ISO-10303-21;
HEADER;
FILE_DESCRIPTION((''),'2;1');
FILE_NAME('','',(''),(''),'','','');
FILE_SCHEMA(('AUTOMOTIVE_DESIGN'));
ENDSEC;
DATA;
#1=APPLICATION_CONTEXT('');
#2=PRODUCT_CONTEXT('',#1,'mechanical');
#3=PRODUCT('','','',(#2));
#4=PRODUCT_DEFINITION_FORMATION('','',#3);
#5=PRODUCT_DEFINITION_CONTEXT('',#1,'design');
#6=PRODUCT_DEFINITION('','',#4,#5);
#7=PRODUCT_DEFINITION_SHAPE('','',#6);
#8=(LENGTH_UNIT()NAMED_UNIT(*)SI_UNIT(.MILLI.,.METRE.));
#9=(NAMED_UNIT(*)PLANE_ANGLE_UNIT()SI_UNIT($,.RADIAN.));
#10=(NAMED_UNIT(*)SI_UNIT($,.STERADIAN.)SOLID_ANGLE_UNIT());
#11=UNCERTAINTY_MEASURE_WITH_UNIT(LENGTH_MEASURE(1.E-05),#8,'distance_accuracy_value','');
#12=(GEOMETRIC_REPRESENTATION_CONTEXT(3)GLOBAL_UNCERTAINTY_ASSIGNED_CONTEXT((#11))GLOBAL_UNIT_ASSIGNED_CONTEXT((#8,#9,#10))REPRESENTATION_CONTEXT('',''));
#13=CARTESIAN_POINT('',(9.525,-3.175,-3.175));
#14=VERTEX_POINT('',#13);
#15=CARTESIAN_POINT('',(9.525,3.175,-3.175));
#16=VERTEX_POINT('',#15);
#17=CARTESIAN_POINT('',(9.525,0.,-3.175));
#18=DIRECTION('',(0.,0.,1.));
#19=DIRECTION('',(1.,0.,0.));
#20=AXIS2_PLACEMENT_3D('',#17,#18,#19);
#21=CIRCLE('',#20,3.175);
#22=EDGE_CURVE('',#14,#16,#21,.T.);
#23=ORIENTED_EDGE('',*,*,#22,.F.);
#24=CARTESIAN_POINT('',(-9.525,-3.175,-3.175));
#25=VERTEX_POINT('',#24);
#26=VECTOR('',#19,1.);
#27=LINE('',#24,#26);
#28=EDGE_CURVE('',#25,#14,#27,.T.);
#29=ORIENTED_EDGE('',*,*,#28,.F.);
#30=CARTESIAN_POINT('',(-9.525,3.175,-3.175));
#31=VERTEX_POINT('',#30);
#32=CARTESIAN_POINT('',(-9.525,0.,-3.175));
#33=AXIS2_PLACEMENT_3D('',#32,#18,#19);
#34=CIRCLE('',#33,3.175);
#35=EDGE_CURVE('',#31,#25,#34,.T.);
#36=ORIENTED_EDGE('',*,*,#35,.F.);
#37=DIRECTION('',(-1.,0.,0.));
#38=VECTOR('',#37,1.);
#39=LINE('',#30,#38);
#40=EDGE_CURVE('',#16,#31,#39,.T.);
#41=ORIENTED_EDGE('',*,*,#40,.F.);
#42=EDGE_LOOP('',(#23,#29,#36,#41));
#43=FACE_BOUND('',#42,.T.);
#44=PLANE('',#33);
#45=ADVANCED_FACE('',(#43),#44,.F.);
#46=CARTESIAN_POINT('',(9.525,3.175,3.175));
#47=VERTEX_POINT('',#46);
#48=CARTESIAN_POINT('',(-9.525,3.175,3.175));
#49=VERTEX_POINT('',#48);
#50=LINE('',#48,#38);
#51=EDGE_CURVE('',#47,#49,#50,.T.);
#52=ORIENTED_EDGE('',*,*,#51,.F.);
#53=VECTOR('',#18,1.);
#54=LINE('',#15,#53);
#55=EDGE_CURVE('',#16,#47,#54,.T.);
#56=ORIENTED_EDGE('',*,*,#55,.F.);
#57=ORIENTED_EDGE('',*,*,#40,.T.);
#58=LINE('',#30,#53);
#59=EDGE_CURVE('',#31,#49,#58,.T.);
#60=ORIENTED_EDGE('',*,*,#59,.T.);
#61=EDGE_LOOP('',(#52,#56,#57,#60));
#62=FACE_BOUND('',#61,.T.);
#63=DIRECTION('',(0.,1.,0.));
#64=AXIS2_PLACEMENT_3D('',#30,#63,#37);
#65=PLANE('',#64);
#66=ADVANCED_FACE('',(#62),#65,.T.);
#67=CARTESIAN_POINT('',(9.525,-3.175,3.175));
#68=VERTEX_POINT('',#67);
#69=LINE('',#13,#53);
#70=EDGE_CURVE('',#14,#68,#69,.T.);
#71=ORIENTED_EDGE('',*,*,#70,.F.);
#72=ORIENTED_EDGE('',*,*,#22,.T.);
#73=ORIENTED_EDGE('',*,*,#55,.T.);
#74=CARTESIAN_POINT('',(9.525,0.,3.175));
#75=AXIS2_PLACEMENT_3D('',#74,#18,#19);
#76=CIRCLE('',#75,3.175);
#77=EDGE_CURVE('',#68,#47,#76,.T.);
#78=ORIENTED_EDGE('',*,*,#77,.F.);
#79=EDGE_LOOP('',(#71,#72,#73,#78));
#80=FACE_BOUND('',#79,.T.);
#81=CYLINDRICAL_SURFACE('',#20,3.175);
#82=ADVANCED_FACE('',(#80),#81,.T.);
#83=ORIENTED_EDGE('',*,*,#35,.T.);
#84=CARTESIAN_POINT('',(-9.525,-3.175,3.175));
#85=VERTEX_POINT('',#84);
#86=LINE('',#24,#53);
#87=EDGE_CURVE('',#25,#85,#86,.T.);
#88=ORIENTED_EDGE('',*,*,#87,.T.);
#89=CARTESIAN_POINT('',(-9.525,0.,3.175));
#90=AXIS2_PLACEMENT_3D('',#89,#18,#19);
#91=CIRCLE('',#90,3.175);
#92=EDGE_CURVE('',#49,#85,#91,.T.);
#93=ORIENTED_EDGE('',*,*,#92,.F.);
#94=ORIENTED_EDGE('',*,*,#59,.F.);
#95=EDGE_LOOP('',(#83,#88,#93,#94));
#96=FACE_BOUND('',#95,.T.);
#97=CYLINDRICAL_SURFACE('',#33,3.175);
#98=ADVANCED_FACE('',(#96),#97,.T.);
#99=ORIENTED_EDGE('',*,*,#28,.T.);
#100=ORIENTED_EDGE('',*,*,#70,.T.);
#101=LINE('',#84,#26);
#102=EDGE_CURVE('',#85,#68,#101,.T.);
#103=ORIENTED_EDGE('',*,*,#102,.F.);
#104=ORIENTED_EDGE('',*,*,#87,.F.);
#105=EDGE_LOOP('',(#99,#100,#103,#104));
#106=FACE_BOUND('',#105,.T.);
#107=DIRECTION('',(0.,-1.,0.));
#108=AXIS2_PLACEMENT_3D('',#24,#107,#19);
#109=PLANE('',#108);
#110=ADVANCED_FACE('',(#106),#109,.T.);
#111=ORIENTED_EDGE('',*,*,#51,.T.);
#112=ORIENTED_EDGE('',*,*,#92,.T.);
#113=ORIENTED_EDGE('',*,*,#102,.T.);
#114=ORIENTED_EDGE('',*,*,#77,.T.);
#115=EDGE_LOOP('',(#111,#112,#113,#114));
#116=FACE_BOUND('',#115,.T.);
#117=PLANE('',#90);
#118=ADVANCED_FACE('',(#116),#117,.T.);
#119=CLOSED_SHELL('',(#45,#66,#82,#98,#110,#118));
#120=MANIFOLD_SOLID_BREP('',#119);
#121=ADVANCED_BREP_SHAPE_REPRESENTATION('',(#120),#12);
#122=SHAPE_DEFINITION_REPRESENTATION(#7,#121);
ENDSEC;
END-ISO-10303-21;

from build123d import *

# Parameters (mm, degrees)
BOSS_EXTRUDE1_DEPTH      = 3.175
BOSS_EXTRUDE1_DEPTH_BACK = 3.175


with BuildPart() as part:
    # Sketch2 → Boss-Extrude1 (new, two sides: drawn at the far end of the back side and taken through both)
    with BuildSketch(Plane.XY.offset(-BOSS_EXTRUDE1_DEPTH_BACK)):
        with BuildLine():
            Line((-9.525, 3.175), (9.525, 3.175))
            ThreePointArc((9.525, 3.175), (12.7, 0), (9.525, -3.175))
            Line((9.525, -3.175), (-9.525, -3.175))
            ThreePointArc((-9.525, -3.175), (-12.7, 0), (-9.525, 3.175))
        make_face()
    extrude(amount=BOSS_EXTRUDE1_DEPTH + BOSS_EXTRUDE1_DEPTH_BACK)


solid = part.part
